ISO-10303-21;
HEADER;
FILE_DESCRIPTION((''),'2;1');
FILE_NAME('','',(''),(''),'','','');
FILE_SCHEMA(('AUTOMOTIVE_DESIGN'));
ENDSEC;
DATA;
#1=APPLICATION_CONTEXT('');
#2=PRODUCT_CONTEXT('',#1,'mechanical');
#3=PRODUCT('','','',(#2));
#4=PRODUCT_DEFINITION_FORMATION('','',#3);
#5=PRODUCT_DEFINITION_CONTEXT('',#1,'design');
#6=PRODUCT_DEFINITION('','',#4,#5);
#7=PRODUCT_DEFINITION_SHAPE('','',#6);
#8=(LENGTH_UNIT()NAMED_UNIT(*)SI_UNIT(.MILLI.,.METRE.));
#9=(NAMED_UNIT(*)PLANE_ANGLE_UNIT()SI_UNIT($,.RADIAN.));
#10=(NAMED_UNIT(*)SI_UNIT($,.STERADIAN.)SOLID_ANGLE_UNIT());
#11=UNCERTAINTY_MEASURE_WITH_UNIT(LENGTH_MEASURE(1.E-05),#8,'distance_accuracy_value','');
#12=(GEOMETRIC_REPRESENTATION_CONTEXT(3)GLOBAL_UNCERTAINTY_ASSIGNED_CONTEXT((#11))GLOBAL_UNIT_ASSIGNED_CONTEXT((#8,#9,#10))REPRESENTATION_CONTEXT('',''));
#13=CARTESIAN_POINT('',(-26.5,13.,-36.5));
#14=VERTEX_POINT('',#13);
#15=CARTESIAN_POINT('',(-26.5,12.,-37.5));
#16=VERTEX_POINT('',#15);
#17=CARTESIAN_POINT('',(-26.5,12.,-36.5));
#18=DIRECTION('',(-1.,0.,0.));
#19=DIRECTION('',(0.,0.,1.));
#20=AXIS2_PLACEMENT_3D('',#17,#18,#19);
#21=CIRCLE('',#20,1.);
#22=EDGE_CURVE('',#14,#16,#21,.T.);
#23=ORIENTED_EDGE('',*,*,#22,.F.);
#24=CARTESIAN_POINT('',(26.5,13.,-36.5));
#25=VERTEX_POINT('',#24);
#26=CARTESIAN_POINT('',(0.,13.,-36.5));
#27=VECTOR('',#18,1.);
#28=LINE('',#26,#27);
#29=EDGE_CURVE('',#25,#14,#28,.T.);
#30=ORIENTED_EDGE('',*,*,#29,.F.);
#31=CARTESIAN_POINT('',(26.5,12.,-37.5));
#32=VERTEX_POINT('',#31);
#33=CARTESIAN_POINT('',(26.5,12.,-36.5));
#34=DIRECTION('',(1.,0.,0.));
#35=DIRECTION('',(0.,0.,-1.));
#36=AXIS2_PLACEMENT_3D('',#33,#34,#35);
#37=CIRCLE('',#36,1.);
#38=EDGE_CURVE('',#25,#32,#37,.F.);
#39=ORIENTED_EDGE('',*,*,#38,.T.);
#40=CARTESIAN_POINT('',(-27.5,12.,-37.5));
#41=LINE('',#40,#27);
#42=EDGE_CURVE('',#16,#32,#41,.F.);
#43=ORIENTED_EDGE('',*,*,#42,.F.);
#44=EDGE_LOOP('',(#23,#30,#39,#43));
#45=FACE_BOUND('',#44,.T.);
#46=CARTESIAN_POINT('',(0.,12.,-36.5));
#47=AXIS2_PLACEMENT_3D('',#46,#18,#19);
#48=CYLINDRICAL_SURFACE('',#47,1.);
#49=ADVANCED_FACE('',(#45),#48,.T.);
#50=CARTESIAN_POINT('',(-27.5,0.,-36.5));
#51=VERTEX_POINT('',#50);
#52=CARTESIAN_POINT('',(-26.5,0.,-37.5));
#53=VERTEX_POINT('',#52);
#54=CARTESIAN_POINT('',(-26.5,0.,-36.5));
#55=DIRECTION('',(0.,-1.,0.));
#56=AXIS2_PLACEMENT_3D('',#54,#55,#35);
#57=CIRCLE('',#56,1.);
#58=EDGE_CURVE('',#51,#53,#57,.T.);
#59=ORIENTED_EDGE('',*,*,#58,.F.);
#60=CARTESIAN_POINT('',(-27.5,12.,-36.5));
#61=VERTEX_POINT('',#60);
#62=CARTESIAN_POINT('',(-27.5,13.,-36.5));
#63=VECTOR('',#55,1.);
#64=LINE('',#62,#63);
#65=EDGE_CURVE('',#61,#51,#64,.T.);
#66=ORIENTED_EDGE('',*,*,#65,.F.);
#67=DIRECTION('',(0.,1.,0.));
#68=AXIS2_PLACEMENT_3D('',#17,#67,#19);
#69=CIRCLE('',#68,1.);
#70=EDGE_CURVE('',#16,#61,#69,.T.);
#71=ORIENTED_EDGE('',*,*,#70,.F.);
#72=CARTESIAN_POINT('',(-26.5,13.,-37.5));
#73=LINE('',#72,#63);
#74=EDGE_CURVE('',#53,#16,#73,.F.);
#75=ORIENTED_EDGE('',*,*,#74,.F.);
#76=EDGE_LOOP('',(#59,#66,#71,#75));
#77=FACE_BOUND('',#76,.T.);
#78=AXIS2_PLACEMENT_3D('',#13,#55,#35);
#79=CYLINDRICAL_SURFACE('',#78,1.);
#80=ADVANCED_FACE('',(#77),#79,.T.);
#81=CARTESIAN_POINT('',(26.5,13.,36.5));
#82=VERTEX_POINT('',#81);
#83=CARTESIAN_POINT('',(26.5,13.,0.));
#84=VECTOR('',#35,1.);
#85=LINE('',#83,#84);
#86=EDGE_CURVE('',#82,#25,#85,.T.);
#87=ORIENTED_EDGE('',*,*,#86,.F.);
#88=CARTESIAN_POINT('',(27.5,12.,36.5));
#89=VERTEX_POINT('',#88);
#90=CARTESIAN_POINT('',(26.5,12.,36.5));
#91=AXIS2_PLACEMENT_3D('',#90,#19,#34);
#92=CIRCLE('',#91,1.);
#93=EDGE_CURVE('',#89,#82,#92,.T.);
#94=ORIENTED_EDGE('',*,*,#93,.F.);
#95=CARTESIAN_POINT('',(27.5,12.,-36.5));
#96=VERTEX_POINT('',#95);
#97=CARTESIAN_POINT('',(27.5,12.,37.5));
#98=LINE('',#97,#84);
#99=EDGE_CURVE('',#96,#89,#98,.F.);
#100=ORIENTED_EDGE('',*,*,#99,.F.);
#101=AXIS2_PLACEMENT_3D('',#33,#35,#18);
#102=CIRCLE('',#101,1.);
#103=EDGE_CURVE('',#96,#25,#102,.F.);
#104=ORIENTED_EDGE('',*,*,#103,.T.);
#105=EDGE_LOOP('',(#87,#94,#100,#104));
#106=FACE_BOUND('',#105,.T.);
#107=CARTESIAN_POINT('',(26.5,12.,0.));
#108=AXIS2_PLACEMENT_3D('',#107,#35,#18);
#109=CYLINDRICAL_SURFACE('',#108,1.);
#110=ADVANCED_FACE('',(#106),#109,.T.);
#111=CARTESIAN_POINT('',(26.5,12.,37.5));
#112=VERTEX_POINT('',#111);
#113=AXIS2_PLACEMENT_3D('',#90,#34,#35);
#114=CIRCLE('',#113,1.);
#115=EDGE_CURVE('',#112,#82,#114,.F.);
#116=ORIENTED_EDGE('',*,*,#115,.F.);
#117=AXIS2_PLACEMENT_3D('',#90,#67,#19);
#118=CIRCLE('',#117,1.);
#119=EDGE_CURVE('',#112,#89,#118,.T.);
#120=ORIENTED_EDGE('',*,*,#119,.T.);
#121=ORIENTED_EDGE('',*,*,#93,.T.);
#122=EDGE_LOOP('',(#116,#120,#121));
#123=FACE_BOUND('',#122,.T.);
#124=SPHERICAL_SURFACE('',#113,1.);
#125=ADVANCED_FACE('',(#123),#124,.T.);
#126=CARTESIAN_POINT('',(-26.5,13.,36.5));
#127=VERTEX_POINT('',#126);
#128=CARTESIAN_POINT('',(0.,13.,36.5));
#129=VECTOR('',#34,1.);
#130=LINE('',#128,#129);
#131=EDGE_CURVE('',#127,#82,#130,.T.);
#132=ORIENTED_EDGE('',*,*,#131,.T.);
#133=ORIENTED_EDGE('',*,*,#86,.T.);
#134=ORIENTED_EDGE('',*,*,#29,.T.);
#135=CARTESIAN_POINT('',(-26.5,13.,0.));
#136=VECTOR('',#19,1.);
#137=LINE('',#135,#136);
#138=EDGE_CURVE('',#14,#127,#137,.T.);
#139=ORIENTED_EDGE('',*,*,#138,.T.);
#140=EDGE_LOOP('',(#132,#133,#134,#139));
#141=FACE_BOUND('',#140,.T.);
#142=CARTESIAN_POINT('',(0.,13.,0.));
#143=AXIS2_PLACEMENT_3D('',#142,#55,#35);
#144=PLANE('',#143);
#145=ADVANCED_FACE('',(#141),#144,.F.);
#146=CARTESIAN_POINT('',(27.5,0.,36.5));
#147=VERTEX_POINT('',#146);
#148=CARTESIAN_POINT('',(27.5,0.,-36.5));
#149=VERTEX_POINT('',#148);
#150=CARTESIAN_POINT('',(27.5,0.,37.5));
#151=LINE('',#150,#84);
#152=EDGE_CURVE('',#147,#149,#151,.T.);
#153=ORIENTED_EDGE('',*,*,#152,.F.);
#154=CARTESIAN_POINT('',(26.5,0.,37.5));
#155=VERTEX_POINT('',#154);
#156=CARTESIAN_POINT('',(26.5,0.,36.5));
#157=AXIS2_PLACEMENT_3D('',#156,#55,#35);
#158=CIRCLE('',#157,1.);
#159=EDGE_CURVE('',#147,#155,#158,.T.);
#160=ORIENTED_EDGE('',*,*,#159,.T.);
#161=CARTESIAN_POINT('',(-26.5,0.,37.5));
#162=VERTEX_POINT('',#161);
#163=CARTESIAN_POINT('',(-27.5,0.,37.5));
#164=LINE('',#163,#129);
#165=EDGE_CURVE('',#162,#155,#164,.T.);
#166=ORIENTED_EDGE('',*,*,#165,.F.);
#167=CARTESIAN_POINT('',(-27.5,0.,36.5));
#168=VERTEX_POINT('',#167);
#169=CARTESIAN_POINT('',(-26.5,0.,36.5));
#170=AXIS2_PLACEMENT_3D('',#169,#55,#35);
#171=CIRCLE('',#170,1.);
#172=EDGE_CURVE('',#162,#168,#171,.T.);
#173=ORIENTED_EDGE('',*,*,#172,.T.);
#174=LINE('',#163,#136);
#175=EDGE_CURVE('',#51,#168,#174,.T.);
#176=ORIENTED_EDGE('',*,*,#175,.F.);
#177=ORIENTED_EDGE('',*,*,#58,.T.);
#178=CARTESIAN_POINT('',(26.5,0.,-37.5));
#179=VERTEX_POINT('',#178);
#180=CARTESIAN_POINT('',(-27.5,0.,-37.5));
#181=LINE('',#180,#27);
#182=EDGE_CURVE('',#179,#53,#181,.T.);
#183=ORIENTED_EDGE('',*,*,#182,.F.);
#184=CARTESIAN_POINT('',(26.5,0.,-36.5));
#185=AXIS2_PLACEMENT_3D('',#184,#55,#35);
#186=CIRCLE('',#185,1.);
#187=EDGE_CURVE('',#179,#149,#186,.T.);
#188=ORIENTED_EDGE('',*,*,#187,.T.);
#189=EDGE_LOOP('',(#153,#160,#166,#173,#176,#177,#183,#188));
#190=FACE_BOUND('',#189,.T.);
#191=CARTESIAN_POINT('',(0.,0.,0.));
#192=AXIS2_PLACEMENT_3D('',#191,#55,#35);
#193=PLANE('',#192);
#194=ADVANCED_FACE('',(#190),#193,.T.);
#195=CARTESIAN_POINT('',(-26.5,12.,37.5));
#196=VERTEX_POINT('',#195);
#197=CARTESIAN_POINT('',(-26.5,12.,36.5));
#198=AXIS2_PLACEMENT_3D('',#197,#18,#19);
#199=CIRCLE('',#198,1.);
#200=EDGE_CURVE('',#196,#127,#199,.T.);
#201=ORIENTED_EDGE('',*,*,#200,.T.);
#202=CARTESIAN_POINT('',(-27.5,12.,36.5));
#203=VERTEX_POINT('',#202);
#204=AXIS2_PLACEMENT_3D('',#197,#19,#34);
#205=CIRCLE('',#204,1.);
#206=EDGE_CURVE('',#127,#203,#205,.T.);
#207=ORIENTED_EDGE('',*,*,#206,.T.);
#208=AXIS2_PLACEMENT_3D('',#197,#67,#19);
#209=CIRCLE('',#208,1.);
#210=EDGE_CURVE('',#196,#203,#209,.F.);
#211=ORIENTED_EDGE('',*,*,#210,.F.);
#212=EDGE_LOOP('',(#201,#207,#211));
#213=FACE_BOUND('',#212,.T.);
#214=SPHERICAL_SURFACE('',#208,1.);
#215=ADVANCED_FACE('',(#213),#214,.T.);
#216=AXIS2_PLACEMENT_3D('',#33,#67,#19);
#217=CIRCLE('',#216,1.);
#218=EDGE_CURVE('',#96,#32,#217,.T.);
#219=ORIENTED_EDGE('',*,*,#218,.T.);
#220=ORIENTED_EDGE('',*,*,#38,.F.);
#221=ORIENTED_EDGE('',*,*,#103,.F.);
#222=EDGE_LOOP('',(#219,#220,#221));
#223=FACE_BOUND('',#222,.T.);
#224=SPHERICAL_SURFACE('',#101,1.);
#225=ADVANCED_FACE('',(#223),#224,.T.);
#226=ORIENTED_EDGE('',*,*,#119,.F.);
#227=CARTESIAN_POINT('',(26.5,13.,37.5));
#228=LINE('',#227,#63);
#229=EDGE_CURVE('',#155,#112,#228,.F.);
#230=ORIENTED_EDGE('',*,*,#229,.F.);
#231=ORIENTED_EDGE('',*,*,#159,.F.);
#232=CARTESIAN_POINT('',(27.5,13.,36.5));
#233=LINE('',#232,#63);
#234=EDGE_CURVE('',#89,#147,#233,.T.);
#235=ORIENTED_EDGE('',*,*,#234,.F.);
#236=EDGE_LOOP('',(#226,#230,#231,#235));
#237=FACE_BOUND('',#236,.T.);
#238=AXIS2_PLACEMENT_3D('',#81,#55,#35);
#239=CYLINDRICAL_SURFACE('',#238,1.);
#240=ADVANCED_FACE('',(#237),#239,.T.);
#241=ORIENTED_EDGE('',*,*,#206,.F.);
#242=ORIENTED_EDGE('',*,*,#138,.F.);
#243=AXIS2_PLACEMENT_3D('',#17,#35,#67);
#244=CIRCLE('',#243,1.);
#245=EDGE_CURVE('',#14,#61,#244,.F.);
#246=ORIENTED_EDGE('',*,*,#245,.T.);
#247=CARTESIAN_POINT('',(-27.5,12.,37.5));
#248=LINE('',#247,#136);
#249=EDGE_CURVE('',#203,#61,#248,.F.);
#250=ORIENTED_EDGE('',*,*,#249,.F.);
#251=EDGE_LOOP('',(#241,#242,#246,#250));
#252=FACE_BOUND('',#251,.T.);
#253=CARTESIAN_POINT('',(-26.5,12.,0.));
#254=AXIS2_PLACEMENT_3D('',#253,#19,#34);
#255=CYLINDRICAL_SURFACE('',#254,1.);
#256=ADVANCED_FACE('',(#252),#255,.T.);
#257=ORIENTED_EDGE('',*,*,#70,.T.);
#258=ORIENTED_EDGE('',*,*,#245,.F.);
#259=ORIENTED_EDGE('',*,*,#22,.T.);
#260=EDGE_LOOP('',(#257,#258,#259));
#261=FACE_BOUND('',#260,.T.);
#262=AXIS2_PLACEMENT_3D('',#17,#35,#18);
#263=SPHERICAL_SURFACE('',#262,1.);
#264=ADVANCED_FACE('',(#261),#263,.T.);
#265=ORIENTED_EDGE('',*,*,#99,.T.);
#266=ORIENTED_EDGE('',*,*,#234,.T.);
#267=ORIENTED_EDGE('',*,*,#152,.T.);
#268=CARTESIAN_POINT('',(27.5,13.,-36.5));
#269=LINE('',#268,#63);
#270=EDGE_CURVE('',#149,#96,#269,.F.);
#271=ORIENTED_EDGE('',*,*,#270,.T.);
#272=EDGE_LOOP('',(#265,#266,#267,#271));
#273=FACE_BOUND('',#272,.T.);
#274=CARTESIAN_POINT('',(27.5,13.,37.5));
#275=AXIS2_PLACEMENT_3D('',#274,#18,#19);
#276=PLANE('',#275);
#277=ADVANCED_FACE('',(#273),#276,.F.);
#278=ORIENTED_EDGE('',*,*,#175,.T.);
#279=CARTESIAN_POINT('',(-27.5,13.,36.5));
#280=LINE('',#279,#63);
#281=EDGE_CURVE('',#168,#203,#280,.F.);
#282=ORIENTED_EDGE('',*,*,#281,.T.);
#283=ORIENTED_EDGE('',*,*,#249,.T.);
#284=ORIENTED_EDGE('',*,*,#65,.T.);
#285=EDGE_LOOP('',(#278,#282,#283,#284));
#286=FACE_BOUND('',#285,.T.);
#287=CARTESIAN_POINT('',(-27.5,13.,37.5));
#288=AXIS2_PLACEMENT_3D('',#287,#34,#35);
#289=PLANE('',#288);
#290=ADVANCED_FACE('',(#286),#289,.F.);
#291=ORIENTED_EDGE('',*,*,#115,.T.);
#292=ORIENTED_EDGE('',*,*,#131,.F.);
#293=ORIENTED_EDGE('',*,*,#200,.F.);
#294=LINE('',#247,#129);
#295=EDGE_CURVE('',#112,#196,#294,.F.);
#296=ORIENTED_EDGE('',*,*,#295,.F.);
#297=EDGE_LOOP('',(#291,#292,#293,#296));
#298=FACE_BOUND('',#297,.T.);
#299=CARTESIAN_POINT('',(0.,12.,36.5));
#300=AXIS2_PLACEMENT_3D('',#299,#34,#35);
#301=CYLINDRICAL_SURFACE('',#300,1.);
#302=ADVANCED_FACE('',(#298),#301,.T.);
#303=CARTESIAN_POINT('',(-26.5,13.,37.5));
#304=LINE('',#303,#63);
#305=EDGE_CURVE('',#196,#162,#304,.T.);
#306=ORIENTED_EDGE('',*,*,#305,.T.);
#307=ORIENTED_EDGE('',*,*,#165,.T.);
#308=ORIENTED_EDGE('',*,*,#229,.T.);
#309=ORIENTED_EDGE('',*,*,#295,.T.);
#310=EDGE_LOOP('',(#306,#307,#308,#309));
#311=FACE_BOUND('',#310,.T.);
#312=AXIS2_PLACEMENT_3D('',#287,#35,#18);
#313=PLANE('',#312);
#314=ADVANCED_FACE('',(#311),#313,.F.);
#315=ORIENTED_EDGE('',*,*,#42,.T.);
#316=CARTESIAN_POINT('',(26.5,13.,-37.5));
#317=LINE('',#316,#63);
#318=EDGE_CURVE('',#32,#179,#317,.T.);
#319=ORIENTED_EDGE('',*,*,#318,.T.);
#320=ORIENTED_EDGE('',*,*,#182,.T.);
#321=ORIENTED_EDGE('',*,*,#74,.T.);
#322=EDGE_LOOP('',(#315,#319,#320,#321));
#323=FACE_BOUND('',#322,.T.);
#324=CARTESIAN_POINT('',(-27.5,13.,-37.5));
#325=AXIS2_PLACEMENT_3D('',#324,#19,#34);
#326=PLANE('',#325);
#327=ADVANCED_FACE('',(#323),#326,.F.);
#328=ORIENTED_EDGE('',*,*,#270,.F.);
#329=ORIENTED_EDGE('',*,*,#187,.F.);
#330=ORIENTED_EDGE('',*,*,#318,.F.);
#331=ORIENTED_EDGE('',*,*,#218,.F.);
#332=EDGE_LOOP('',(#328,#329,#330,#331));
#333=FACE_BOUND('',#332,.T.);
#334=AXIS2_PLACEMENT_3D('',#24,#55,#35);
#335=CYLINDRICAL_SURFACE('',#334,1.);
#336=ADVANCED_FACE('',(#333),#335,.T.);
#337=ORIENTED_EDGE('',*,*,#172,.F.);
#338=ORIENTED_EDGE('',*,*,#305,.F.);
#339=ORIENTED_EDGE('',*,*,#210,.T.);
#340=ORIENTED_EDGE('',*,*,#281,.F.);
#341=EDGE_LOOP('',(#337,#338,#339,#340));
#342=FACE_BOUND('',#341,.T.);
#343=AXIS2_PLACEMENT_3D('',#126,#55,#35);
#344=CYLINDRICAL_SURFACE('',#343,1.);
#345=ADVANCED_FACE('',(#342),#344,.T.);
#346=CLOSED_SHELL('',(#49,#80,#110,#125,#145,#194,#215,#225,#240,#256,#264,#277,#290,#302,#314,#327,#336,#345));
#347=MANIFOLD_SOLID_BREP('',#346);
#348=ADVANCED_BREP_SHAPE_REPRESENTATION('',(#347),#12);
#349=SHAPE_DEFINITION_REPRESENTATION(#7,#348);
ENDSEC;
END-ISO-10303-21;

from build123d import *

# Parameters (mm, degrees)
SKETCH1_W           = 55
SKETCH1_H           = 75
BOSS_EXTRUDE1_DEPTH = 13
FILLET1_R           = 1


with BuildPart() as part:
    # Sketch1 → Boss-Extrude1 (new body)
    with BuildSketch(Plane(origin=(0, 0, 0), x_dir=(1, 0, 0), z_dir=(0, 1, 0))):
        Rectangle(SKETCH1_W, SKETCH1_H)
    extrude(amount=BOSS_EXTRUDE1_DEPTH)

    # Fillet1
    fillet1_edges = [part.edges().sort_by_distance(p)[0] for p in [
        (-27.5, 13, 0),
        (0, 13, 37.5),
        (27.5, 13, 0),
        (27.5, 6.5, 37.5),
        (-27.5, 6.5, 37.5),
        (-27.5, 6.5, -37.5),
        (27.5, 6.5, -37.5),
        (0, 13, -37.5),
    ]]
    fillet(fillet1_edges, radius=FILLET1_R)


solid = part.part
